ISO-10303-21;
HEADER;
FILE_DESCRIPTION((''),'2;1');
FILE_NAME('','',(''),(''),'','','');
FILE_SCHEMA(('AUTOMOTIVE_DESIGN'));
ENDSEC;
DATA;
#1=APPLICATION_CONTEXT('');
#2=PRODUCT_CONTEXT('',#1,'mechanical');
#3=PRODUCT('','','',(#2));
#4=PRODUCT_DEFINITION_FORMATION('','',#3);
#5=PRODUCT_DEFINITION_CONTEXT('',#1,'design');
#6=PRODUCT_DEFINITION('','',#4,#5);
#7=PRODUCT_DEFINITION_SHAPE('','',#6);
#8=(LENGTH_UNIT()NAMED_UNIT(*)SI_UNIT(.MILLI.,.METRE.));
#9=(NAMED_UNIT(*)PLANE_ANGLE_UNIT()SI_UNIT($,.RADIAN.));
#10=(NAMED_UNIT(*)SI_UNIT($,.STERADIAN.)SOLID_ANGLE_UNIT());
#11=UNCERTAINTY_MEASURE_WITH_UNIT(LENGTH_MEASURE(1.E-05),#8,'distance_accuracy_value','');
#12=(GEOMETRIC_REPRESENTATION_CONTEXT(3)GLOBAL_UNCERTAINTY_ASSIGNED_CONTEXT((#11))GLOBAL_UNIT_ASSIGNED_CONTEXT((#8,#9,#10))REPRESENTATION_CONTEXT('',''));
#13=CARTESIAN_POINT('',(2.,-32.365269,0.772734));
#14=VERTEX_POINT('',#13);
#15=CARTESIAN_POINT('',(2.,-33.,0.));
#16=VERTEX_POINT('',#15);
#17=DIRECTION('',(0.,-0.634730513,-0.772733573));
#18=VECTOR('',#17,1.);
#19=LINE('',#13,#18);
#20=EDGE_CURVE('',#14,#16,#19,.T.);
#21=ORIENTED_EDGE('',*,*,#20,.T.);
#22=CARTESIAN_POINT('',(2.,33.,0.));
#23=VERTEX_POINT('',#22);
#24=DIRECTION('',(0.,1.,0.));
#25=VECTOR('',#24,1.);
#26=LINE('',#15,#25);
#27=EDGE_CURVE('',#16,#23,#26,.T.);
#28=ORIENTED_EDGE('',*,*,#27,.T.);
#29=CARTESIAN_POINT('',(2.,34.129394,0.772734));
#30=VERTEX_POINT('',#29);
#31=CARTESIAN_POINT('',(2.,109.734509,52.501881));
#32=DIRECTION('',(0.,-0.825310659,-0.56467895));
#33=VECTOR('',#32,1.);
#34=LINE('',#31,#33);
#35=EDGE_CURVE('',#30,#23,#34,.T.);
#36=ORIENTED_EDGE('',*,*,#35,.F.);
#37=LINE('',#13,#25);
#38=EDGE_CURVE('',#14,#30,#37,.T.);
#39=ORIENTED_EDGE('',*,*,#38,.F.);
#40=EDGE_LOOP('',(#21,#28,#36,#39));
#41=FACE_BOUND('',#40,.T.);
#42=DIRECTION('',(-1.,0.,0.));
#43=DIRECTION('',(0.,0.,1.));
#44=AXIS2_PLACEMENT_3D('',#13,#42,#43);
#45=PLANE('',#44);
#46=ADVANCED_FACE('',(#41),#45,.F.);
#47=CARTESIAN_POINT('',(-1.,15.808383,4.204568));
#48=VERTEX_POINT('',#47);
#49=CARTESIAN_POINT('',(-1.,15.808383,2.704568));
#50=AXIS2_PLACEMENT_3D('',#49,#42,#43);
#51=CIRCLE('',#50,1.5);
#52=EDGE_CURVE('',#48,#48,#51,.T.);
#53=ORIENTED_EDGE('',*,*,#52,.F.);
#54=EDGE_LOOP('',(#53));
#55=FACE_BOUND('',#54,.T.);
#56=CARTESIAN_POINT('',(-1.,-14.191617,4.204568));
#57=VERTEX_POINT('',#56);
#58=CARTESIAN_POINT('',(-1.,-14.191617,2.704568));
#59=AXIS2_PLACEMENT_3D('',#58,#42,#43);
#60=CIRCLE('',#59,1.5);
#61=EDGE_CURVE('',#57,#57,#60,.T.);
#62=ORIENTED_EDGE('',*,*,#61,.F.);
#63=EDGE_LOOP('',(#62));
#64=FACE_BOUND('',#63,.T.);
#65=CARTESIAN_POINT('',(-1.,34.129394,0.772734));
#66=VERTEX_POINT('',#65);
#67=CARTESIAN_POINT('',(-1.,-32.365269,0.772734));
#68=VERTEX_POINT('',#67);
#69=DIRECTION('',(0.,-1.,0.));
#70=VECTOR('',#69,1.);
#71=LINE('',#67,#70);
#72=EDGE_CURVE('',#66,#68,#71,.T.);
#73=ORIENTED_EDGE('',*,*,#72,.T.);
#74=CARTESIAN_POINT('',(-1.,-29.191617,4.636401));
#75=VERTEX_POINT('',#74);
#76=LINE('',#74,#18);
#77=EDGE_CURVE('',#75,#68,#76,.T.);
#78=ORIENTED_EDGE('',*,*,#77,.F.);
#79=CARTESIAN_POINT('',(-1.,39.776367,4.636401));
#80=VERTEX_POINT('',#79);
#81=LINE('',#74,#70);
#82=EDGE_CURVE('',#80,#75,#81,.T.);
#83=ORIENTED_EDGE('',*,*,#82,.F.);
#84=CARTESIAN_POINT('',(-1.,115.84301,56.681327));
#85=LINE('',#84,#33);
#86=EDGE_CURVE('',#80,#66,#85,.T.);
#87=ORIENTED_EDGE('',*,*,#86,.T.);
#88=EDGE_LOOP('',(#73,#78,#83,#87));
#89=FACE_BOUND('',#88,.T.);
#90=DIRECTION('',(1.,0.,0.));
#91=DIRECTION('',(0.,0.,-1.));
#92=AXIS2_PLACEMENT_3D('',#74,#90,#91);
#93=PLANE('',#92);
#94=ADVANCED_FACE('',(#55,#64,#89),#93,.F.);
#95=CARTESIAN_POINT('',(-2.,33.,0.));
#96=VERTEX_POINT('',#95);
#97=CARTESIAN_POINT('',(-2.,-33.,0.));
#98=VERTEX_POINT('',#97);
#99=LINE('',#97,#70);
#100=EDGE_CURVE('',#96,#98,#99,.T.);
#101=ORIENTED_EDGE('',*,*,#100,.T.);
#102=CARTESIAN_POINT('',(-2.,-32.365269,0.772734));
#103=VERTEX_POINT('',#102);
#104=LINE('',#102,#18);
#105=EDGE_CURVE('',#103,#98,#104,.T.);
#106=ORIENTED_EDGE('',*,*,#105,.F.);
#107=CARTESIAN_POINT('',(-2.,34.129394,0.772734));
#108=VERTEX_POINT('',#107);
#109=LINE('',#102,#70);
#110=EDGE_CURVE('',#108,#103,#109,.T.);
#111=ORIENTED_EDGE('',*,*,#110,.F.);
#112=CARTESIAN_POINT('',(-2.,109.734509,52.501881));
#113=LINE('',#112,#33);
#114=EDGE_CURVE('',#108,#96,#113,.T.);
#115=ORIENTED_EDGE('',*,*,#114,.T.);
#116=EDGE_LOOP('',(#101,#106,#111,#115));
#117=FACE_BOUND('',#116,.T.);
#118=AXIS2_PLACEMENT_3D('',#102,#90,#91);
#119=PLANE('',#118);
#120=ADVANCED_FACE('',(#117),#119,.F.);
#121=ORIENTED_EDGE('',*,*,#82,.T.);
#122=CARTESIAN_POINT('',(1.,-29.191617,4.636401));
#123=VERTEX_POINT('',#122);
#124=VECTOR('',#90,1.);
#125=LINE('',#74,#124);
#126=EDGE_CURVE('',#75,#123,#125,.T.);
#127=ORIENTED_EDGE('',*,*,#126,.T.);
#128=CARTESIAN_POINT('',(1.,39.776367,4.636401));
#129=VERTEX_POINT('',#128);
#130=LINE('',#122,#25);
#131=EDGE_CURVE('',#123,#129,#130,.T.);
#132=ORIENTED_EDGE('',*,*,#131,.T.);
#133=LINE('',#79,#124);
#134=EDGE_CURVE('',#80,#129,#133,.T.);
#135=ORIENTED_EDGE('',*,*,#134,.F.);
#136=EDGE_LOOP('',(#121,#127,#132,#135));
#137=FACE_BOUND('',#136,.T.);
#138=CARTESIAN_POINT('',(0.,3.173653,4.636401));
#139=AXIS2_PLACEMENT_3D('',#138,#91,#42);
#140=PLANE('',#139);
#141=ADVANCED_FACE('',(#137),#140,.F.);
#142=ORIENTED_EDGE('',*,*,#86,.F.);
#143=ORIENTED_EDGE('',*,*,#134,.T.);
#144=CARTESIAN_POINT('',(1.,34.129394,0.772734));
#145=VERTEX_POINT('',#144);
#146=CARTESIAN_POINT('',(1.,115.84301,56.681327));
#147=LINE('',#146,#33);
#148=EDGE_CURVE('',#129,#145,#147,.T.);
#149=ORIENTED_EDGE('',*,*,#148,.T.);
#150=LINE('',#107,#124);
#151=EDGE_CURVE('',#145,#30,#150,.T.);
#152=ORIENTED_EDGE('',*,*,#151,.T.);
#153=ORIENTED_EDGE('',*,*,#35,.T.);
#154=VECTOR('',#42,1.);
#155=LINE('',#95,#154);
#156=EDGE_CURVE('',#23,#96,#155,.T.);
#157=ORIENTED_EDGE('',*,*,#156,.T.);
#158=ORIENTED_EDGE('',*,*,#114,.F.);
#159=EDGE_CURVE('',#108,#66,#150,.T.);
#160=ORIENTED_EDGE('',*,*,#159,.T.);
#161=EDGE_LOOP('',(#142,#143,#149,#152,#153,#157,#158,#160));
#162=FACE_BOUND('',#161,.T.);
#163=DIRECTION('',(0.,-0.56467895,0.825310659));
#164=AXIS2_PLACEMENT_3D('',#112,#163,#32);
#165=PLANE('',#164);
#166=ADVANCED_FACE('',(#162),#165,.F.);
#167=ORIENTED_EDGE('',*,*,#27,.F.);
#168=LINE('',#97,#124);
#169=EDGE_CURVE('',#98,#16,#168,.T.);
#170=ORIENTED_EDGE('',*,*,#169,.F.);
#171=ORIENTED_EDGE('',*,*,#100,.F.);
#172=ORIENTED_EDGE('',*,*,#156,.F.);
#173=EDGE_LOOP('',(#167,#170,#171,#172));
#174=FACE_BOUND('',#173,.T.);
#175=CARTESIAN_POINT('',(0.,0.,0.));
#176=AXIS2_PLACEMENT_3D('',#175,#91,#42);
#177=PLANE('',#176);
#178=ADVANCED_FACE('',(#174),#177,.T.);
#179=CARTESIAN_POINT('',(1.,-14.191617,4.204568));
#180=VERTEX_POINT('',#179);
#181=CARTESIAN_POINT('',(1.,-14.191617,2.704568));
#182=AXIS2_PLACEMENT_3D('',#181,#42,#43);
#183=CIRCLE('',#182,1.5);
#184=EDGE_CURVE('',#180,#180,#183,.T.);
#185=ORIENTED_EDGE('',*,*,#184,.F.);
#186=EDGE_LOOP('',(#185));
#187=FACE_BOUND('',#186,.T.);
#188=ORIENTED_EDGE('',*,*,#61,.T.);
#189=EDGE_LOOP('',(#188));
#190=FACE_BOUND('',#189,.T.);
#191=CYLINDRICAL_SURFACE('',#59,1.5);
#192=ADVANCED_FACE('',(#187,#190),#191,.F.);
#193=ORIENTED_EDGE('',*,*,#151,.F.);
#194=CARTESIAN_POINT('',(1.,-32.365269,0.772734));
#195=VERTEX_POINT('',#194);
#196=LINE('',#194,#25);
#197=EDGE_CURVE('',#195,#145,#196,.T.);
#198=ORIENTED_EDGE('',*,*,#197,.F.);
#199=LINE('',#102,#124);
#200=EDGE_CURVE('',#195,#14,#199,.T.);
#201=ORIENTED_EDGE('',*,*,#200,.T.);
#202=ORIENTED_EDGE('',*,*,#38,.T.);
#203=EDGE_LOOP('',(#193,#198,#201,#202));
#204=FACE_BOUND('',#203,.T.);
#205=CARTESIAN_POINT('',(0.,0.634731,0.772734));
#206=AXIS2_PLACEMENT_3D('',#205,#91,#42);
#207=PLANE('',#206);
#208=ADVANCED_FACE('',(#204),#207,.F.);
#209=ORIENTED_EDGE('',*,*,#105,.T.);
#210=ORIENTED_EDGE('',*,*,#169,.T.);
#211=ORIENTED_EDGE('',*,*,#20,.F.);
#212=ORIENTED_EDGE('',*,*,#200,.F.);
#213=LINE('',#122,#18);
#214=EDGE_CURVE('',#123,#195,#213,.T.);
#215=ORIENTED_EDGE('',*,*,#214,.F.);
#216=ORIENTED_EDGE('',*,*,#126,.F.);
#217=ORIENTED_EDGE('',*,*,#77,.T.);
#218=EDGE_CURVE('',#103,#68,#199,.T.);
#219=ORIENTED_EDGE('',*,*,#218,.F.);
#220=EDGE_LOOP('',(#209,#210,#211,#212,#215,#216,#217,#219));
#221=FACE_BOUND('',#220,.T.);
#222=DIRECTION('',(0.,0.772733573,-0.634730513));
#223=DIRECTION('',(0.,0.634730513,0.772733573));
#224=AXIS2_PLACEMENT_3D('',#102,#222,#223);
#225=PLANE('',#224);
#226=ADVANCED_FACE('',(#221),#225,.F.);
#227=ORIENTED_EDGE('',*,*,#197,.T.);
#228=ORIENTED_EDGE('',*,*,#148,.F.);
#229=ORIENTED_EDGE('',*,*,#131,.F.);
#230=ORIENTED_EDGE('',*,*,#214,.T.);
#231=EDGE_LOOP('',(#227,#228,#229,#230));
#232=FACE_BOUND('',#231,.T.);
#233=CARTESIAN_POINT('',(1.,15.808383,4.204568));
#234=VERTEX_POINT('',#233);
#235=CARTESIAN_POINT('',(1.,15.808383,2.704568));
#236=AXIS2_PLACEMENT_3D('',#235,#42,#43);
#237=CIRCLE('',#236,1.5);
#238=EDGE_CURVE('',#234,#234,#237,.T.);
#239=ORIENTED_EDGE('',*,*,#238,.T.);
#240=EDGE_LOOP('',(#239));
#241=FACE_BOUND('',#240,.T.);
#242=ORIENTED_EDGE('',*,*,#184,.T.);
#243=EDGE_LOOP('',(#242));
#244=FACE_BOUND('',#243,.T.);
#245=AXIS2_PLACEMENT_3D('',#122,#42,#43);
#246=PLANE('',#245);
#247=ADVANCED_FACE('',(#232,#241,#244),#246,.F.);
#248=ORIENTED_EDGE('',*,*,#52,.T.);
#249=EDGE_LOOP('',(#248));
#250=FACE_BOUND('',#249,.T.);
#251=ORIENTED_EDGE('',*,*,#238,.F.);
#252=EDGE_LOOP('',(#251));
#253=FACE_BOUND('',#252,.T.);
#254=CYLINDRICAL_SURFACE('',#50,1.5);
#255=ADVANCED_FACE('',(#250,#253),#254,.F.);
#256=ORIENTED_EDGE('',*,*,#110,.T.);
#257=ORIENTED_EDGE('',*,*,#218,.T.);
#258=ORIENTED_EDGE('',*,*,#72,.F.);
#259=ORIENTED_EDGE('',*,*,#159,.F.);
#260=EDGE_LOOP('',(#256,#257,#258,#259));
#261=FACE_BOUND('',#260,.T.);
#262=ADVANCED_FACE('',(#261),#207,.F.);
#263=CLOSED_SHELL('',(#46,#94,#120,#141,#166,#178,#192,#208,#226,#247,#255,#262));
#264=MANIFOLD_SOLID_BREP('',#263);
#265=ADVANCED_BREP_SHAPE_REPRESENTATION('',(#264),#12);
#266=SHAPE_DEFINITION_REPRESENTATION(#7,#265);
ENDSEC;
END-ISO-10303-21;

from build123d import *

# Parameters (mm, degrees)
SKETCH1_W             = 4
SKETCH1_H             = 66
BOSS_EXTRUDE1_DEPTH   = 1
SKETCH1_2_W           = 4
SKETCH1_2_H           = 66
BOSS_EXTRUDE2_DEPTH   = 1.36844839
SKETCH4_W             = 2
SKETCH4_H             = 66.494663906
BOSS_EXTRUDE3_DEPTH   = 5
SKETCH4_2_W           = 2
SKETCH4_2_H           = 66.494663906
BOSS_EXTRUDE4_DEPTH   = 6.842238407
F_3_0MM_DOWEL_HOLE1_D = 3


with BuildPart() as part:
    # Sketch1 → Boss-Extrude1 (new, along a direction that is not the sketch's normal)
    with BuildSketch(Plane.XY):
        Rectangle(SKETCH1_W, SKETCH1_H)
    extrude(amount=BOSS_EXTRUDE1_DEPTH, dir=(0, 0.6347305132022716, 0.7727335734973478))

    # Sketch1<2> → Boss-Extrude2 (add, along a direction that is not the sketch's normal)
    with BuildSketch(Plane.XY):
        Rectangle(SKETCH1_2_W, SKETCH1_2_H)
    extrude(amount=BOSS_EXTRUDE2_DEPTH, dir=(0, 0.8253106586930028, 0.5646789500660725))

    # Sketch4 → Boss-Extrude3 (add, along a direction that is not the sketch's normal)
    with BuildSketch(Plane.XY.offset(0.772733573)):
        with Locations((0, 0.882062466)):
            Rectangle(SKETCH4_W, SKETCH4_H)
    extrude(amount=BOSS_EXTRUDE3_DEPTH, dir=(0, 0.6347305132022716, 0.7727335734973478))

    # Sketch4<2> → Boss-Extrude4 (add, along a direction that is not the sketch's normal)
    with BuildSketch(Plane.XY.offset(0.772733573)):
        with Locations((0, 0.882062466)):
            Rectangle(SKETCH4_2_W, SKETCH4_2_H)
    extrude(amount=BOSS_EXTRUDE4_DEPTH, dir=(0, 0.8253106586930028, 0.5646789500660725))

    # Ø3.0mm Dowel Hole1 (through all)
    with Locations(Plane.ZY.offset(1)):
        with Locations((2.704567507, -14.191616921), (2.704567507, 15.808383079)):
            Hole(F_3_0MM_DOWEL_HOLE1_D / 2)


solid = part.part
